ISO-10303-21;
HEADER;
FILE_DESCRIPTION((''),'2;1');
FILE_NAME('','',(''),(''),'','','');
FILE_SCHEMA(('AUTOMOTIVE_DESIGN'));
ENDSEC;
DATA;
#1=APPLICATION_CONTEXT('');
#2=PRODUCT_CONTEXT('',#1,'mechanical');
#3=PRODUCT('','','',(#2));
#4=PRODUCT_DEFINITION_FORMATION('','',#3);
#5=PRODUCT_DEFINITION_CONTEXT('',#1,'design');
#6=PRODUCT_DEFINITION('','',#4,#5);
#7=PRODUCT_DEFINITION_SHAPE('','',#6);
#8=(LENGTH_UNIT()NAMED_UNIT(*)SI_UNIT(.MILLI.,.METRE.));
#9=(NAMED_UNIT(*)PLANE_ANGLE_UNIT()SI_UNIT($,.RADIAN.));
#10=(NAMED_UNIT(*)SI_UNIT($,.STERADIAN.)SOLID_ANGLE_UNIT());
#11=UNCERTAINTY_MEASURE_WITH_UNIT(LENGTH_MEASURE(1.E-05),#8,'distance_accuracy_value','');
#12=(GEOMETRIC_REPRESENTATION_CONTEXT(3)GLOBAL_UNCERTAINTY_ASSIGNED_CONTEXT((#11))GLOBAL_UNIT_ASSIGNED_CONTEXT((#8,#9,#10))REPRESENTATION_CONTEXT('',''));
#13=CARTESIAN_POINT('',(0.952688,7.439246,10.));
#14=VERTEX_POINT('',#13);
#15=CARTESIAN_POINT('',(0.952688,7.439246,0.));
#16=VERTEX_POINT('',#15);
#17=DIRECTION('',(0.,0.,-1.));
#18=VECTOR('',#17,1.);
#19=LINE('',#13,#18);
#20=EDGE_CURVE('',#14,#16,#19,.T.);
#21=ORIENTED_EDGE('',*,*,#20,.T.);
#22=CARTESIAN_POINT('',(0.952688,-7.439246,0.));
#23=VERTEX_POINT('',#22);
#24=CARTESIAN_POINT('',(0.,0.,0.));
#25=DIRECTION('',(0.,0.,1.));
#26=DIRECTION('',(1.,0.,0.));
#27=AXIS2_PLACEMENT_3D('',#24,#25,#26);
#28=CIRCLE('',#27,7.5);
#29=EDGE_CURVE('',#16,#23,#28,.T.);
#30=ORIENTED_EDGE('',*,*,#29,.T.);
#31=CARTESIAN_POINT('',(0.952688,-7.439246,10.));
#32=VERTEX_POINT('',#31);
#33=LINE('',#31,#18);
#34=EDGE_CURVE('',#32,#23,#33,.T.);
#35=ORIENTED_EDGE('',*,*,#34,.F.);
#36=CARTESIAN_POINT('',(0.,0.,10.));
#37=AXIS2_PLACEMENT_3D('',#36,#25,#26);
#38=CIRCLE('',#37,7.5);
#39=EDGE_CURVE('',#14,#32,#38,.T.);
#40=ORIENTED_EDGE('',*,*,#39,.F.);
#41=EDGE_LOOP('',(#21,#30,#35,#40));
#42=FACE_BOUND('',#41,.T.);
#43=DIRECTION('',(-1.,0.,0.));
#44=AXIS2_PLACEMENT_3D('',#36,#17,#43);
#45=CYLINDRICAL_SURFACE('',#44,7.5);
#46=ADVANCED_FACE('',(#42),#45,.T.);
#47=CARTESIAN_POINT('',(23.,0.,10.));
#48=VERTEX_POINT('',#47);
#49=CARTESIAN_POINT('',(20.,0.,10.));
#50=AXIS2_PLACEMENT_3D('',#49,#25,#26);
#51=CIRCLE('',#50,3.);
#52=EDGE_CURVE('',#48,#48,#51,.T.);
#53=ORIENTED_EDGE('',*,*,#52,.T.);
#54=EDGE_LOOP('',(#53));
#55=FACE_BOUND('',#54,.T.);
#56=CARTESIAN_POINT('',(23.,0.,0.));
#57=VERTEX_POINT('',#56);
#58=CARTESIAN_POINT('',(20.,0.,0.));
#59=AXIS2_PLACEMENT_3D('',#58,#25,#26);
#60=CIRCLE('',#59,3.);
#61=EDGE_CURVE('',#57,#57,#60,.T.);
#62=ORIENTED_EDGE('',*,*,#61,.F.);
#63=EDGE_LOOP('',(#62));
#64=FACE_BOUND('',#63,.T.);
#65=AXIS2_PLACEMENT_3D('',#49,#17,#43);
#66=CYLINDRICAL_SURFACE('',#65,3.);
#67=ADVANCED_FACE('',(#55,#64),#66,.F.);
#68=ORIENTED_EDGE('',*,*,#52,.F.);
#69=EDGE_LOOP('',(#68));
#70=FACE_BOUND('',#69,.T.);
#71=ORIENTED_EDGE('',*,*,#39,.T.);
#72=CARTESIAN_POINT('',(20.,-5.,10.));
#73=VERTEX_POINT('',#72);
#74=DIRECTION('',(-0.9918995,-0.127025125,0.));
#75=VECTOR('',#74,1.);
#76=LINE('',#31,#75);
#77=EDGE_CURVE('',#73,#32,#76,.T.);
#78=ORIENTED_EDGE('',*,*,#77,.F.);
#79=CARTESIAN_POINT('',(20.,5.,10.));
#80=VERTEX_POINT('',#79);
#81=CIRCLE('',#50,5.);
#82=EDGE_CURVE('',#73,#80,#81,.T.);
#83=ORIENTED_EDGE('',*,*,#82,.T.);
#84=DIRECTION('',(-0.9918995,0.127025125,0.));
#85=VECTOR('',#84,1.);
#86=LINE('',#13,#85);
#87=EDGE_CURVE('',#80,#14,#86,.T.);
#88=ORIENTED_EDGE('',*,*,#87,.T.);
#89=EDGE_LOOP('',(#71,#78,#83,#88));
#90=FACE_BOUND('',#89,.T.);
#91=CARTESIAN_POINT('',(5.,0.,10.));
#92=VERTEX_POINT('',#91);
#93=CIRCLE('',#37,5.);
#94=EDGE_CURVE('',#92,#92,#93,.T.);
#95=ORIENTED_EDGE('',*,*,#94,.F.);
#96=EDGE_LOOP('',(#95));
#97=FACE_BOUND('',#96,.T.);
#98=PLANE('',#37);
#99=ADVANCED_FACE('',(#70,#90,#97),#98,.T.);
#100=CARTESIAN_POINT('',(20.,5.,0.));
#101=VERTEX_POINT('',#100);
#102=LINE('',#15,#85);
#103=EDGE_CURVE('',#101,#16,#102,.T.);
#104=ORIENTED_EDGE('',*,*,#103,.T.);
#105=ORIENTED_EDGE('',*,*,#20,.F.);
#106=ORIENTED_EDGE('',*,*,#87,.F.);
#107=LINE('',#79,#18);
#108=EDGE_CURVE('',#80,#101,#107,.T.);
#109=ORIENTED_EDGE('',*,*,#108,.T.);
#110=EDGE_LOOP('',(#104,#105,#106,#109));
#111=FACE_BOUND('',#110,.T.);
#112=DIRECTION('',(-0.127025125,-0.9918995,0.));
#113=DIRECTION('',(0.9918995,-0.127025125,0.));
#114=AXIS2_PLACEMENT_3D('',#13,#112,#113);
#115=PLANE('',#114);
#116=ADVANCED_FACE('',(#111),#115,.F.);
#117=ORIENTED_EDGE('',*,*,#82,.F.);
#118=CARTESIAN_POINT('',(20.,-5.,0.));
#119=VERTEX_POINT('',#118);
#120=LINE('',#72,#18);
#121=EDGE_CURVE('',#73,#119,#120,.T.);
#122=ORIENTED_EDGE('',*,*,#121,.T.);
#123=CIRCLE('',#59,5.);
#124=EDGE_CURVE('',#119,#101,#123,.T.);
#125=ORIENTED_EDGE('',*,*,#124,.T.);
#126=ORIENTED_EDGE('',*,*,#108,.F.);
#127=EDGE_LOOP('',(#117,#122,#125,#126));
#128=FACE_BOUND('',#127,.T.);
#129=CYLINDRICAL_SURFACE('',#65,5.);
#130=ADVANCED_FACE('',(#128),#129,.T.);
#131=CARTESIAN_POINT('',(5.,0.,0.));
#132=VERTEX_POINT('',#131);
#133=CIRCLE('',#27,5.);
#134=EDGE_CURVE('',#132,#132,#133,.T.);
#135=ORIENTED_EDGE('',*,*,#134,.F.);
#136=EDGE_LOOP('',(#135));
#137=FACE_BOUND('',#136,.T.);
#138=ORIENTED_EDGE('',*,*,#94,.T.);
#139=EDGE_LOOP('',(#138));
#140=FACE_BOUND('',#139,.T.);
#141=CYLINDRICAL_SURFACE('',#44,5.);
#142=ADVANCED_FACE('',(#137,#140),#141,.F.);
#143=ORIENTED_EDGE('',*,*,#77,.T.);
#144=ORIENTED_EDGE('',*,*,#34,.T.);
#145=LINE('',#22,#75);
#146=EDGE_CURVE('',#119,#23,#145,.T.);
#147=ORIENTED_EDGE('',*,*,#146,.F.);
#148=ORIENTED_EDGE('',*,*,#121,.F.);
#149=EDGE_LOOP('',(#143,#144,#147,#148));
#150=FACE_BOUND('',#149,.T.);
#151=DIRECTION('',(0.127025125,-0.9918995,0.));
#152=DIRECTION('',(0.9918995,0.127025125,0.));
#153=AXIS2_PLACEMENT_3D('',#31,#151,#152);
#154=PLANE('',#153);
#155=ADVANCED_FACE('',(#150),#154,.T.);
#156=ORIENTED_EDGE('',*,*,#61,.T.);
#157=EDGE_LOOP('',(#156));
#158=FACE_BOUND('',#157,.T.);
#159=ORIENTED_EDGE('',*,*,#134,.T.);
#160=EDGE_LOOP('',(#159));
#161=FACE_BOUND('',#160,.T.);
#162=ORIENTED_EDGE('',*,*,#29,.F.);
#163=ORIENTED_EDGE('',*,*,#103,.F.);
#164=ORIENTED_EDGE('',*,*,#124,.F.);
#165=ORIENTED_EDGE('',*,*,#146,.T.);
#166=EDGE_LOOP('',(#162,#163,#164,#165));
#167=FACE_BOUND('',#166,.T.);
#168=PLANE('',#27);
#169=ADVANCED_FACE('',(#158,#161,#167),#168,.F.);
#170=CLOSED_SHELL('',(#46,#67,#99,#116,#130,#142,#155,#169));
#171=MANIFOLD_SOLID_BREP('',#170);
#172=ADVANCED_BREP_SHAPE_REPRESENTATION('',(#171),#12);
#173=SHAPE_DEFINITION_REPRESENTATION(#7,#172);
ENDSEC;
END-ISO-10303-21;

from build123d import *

# Parameters (mm, degrees)
SKETCH1_R           = 5
SKETCH1_R_2         = 3
BOSS_EXTRUDE1_DEPTH = 10


with BuildPart() as part:
    # Sketch1 → Boss-Extrude1 (new body)
    with BuildSketch(Plane.XY):
        with BuildLine():
            ThreePointArc((0.952688438, 7.439246248), (-7.5, 0), (0.952688438, -7.439246248))
            Line((0.952688438, -7.439246248), (20, -5))
            ThreePointArc((20, -5), (25, 0), (20, 5))
            Line((20, 5), (0.952688438, 7.439246248))
        make_face()
        Circle(SKETCH1_R, mode=Mode.SUBTRACT)
        with Locations((20, 0)):
            Circle(SKETCH1_R_2, mode=Mode.SUBTRACT)
    extrude(amount=BOSS_EXTRUDE1_DEPTH)


solid = part.part
